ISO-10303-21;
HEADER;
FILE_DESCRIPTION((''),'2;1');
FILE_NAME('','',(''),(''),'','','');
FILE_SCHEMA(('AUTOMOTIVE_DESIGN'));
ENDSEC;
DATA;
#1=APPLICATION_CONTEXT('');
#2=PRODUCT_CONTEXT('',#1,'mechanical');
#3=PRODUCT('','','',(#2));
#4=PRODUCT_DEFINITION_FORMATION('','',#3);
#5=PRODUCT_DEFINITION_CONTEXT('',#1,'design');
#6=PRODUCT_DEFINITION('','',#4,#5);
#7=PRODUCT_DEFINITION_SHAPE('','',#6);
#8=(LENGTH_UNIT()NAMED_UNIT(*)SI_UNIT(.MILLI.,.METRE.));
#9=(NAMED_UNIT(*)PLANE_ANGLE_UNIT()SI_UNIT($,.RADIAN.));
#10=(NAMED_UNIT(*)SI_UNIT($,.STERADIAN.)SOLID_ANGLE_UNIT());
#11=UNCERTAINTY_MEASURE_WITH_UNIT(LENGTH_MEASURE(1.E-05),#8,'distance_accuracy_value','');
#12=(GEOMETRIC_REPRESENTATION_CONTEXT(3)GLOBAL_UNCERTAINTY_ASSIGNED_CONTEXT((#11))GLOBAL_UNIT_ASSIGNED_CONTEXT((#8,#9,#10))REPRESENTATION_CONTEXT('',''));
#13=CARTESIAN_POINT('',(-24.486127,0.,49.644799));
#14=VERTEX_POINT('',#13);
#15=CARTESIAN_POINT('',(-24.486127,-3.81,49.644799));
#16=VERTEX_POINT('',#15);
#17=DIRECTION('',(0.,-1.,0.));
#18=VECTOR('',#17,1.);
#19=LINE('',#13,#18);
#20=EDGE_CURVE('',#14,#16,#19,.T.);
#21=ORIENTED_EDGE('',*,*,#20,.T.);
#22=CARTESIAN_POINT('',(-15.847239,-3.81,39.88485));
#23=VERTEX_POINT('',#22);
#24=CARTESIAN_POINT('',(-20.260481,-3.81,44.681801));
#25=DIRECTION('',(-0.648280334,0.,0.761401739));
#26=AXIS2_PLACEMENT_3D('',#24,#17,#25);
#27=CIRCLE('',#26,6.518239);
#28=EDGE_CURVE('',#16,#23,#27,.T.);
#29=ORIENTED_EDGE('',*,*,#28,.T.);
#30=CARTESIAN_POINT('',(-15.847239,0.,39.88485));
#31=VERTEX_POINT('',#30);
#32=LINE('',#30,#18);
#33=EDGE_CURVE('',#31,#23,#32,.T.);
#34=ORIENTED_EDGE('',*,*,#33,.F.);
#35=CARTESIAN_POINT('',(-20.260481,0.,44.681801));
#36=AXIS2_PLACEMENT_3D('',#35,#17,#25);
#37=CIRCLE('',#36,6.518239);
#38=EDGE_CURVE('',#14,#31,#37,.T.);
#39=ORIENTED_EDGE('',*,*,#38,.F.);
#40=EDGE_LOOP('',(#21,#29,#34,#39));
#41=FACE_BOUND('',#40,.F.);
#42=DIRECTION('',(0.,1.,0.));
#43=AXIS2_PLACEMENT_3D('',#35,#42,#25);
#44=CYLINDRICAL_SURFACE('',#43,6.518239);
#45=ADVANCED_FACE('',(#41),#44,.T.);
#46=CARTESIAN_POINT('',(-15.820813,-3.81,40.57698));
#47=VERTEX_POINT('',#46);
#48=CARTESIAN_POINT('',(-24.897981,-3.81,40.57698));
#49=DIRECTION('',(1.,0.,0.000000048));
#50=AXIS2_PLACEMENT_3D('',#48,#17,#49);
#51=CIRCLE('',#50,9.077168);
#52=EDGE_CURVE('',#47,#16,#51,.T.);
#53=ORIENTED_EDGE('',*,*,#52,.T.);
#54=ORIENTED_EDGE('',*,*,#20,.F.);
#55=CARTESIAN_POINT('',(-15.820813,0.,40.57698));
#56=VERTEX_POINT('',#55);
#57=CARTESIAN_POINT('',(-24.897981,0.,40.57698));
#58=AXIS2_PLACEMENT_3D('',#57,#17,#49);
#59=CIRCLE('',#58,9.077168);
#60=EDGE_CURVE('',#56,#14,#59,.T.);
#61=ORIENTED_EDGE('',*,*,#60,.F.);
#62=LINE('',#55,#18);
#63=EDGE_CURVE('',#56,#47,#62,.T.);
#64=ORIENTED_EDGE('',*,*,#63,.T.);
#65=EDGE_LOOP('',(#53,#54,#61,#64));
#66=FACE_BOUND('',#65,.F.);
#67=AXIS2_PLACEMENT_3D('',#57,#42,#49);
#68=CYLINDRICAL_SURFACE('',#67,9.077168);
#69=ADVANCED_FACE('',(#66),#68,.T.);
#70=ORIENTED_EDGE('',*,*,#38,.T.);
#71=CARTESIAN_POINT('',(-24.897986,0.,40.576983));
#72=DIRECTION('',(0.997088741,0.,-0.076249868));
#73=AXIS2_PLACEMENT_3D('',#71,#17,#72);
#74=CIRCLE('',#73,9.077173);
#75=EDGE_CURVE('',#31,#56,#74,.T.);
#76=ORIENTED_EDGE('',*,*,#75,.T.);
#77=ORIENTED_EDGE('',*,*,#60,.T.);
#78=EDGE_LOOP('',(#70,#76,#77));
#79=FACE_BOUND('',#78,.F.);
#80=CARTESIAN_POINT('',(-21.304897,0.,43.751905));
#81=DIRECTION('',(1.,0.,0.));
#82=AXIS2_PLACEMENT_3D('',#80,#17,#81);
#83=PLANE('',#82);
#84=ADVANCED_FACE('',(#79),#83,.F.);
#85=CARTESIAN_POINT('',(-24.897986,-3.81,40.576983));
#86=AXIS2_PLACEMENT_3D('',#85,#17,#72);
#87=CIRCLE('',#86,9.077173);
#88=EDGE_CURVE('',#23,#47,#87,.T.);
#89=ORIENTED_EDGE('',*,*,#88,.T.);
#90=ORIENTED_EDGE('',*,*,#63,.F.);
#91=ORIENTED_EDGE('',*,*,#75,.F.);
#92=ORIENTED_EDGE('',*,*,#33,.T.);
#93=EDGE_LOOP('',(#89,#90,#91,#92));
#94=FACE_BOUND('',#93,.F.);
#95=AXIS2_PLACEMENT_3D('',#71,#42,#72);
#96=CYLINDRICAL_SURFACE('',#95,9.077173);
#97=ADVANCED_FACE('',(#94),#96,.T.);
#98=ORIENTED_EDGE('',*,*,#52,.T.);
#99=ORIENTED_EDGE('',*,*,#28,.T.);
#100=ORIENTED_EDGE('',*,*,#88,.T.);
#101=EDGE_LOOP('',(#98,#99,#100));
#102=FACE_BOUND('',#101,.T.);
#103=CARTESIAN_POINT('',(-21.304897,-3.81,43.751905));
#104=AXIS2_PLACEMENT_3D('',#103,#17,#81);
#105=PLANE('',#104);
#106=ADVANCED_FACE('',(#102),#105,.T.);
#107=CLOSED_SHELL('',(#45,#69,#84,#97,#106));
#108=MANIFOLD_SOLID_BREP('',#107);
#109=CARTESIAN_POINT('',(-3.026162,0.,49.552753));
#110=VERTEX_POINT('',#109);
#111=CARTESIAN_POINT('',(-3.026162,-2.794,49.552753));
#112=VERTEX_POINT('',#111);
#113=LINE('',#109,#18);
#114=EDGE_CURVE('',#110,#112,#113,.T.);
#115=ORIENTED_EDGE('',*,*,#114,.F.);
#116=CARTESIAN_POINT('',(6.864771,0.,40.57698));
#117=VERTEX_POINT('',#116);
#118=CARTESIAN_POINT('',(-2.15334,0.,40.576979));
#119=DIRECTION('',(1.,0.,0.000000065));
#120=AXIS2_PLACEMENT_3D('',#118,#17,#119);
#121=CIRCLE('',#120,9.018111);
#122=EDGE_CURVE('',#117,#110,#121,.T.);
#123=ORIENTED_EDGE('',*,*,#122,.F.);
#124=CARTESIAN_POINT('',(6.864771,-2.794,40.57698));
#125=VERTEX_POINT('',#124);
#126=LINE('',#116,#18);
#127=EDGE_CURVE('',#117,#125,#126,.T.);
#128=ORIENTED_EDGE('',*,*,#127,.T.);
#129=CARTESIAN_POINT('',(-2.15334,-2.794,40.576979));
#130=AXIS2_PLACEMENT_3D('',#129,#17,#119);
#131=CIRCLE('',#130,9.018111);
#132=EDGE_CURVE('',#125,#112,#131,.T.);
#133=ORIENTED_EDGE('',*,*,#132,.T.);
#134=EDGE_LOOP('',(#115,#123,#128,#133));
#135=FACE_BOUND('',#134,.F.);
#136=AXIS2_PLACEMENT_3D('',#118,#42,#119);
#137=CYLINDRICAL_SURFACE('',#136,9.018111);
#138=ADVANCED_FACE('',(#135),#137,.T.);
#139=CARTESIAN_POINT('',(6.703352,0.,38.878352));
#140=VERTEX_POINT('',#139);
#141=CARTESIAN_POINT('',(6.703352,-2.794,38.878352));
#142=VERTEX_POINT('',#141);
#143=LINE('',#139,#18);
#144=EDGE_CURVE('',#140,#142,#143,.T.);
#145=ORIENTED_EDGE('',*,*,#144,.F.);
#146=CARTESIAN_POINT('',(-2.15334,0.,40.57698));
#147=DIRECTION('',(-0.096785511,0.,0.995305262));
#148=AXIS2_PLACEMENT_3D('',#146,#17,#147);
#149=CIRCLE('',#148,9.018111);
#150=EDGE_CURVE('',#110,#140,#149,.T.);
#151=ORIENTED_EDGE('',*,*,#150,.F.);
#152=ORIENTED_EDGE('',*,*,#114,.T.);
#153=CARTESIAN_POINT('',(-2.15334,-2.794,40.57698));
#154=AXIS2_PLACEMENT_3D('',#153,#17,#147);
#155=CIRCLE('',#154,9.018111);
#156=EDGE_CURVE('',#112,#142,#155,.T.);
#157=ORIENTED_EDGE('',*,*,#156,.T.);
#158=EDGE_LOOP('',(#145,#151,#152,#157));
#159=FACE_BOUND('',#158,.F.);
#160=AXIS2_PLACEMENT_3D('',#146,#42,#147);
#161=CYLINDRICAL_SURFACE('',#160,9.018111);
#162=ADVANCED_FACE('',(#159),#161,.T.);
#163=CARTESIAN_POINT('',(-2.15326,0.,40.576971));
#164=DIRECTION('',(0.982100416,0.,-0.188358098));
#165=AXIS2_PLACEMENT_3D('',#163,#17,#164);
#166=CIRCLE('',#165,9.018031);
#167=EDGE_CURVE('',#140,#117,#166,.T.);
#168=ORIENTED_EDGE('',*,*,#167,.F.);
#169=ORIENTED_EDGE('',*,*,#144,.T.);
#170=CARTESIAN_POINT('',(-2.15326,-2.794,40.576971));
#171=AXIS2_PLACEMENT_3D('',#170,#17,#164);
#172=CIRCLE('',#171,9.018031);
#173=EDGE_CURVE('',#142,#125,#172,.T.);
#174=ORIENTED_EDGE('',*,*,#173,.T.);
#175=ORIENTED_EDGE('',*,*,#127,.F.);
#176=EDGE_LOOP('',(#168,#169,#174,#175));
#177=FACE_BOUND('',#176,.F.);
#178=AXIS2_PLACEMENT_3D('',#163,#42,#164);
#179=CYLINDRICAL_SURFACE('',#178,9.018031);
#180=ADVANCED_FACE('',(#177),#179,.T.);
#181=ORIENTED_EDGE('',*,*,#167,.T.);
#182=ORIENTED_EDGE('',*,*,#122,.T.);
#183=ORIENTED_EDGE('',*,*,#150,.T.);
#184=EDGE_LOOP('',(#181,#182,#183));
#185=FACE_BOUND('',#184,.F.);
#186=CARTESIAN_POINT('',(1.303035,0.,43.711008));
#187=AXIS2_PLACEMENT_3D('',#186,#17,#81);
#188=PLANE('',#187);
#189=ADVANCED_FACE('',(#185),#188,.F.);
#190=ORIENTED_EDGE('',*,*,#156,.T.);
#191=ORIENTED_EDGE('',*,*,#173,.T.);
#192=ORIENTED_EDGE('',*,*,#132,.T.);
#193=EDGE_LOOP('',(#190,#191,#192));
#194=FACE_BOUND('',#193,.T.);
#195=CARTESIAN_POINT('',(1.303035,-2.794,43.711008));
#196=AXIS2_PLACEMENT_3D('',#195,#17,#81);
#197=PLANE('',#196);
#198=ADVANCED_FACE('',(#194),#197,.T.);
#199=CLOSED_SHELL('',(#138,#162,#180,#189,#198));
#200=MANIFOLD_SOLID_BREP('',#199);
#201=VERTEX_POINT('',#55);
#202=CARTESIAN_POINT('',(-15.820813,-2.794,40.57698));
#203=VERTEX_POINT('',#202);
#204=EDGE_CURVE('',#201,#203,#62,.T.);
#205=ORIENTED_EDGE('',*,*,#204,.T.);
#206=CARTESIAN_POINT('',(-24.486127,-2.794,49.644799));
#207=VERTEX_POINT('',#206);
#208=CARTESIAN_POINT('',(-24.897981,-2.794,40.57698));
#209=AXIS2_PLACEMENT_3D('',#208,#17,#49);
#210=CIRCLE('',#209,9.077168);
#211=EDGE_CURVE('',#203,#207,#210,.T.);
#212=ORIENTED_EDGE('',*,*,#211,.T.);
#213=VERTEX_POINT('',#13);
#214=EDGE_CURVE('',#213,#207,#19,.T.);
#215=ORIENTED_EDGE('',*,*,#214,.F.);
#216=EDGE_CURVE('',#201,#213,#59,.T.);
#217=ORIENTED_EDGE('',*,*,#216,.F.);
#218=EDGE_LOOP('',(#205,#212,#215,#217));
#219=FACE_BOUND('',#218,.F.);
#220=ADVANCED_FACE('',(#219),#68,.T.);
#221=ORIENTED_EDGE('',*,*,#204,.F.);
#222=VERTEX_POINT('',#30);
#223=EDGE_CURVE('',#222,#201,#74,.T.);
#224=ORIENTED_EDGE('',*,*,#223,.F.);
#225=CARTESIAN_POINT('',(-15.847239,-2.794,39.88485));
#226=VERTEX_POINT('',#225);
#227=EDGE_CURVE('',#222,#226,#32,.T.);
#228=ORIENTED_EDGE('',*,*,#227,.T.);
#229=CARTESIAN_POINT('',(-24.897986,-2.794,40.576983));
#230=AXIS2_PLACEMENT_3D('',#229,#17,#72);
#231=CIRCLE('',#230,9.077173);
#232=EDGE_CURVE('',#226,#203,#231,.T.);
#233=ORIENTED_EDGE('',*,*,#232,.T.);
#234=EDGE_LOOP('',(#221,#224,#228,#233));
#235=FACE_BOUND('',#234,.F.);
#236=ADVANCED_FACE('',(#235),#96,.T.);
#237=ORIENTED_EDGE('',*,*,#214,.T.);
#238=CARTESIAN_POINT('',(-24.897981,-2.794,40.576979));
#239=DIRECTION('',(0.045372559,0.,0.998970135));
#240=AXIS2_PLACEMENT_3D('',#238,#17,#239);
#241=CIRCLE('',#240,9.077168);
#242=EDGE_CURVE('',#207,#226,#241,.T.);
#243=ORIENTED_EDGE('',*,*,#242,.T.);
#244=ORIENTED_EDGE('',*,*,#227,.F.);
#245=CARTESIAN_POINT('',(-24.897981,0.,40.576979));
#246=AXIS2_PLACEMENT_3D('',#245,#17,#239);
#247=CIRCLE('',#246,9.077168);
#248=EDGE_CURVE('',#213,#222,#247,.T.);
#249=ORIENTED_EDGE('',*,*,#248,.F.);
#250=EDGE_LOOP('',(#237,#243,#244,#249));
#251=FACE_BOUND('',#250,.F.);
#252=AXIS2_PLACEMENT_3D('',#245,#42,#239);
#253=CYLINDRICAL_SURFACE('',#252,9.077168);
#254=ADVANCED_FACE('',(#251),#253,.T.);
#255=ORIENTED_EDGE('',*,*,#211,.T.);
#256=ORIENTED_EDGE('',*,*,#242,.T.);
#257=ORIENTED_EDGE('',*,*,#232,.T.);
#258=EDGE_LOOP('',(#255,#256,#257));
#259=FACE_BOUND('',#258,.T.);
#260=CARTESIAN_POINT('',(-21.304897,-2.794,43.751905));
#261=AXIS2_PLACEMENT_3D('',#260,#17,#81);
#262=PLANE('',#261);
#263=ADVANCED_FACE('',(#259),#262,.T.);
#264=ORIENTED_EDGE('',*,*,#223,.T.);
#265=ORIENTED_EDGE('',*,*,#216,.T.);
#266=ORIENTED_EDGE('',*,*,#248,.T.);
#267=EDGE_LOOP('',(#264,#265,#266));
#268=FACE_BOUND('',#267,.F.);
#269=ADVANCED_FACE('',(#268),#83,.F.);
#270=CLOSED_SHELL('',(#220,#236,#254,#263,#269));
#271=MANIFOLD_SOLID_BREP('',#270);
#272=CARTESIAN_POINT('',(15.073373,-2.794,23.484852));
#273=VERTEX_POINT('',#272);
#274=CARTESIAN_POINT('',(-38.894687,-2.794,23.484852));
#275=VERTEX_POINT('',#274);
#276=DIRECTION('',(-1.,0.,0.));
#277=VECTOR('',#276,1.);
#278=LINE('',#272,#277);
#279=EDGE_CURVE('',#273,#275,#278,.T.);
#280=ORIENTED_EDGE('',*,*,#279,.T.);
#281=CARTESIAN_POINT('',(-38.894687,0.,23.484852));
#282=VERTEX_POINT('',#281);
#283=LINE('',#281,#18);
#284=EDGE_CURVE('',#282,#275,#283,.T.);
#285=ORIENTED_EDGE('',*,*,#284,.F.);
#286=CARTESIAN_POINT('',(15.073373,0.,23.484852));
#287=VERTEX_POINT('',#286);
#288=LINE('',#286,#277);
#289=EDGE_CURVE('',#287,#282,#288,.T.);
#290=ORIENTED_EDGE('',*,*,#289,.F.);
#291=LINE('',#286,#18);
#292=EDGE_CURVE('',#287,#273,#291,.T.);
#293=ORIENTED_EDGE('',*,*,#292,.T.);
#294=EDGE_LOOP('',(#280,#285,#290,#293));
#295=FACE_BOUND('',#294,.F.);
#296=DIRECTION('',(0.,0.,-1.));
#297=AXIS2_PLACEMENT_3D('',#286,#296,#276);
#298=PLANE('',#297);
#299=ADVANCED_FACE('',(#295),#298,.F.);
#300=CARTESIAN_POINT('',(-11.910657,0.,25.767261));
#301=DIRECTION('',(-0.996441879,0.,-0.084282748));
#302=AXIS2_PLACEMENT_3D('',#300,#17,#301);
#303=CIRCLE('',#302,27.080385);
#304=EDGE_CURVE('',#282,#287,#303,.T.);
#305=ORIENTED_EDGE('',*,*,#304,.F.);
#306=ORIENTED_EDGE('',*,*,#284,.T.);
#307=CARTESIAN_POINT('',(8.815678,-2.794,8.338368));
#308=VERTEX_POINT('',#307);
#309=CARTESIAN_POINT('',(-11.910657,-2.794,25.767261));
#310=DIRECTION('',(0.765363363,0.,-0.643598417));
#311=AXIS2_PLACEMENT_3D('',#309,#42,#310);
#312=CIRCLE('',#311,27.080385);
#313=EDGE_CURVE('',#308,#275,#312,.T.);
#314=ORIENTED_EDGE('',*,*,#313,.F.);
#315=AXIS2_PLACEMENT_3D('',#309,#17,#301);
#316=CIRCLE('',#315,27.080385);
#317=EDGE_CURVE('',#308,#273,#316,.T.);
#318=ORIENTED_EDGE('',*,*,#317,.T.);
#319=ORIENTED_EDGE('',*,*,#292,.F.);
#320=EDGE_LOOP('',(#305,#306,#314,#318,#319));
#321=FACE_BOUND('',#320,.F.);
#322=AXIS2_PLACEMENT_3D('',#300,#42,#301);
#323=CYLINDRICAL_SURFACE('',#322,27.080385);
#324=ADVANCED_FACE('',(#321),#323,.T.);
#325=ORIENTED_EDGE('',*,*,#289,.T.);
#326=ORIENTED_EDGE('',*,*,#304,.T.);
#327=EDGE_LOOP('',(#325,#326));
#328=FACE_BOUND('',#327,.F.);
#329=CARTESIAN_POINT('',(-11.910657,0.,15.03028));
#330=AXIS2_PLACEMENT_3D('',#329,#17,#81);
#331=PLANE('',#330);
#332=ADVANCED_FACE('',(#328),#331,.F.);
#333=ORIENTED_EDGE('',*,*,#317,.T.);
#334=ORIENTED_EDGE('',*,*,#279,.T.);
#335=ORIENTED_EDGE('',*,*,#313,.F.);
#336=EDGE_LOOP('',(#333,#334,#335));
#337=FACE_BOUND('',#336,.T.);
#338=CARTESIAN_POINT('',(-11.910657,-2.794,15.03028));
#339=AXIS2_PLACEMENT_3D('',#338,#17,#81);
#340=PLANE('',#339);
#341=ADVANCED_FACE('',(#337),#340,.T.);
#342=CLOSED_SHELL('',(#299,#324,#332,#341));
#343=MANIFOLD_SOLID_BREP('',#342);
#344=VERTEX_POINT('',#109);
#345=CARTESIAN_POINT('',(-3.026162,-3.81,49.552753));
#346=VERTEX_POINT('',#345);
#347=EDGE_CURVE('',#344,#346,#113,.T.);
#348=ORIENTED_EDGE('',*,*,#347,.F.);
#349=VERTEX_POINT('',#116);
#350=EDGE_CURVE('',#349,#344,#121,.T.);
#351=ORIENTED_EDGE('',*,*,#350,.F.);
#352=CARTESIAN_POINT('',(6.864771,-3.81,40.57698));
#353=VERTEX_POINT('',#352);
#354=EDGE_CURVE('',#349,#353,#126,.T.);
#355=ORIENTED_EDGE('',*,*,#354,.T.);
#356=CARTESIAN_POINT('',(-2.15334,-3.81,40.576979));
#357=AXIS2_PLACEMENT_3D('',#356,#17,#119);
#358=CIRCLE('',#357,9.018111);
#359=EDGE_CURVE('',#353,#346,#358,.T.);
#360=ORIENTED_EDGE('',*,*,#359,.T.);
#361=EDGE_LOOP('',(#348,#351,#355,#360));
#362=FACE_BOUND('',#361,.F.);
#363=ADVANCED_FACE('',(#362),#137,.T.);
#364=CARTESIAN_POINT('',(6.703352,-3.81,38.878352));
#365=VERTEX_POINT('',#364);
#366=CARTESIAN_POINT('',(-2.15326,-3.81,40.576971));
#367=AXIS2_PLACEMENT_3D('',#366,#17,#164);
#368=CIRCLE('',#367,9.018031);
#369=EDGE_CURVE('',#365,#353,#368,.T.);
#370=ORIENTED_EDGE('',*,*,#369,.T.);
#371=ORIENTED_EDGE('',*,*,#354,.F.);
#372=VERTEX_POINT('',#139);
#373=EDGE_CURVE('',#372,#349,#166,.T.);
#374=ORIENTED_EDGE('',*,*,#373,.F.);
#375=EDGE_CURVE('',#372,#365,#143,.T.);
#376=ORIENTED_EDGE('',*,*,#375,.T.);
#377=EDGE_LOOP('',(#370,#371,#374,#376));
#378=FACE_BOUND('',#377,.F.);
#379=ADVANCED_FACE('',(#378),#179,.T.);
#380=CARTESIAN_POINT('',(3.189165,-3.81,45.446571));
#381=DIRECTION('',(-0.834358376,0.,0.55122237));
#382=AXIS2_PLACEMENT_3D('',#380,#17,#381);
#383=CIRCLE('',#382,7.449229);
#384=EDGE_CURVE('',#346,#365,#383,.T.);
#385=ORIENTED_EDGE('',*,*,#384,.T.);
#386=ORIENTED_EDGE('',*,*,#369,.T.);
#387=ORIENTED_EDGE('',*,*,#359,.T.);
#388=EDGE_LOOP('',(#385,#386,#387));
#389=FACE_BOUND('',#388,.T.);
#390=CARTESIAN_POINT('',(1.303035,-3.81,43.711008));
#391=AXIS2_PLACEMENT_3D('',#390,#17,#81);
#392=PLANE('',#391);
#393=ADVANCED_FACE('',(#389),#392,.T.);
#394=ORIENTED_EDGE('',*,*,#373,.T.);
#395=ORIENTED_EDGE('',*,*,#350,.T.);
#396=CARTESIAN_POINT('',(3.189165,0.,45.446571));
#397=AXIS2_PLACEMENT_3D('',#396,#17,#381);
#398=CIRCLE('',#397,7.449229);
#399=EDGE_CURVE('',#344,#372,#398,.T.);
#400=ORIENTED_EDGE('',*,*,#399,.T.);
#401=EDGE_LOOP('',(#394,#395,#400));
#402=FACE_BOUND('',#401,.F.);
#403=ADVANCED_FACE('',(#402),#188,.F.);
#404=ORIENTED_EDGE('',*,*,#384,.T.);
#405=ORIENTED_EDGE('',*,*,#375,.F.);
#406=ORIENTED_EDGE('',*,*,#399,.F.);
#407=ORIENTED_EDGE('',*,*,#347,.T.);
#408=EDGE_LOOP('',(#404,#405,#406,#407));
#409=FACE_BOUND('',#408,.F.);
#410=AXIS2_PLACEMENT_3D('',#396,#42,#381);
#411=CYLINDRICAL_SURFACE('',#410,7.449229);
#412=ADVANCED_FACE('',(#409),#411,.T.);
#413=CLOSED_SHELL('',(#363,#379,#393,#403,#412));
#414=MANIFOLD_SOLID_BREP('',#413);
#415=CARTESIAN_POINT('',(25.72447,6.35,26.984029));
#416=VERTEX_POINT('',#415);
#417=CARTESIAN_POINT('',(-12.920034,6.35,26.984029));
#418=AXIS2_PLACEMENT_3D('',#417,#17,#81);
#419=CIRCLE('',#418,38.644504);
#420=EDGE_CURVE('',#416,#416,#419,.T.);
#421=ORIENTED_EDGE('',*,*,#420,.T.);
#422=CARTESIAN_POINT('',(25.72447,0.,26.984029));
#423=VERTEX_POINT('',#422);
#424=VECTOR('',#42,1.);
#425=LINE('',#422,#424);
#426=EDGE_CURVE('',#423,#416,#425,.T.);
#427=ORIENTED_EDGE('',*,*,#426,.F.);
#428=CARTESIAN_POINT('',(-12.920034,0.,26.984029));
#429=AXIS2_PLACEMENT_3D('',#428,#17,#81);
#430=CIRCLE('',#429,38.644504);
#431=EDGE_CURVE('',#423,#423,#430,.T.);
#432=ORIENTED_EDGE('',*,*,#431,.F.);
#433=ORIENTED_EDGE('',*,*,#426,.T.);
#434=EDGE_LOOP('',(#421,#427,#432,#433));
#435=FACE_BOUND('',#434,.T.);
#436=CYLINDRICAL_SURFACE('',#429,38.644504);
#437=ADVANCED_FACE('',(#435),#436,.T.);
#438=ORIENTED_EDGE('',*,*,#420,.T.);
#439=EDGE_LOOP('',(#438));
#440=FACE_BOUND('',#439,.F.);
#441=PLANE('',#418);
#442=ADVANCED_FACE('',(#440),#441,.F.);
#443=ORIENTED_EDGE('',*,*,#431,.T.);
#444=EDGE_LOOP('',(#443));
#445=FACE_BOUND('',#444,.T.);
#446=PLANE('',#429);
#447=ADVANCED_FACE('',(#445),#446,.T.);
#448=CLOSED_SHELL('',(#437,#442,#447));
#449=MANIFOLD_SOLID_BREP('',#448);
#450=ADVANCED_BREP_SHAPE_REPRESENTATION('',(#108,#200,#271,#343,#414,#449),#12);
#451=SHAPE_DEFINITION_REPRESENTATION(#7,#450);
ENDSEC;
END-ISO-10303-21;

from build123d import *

# Parameters (mm, degrees)
F1_DEPTH = 3.81
F2_DEPTH = 2.794
F3_R     = 38.644504
F4_DEPTH = 6.35
F6_DEPTH = 1.27


with BuildPart() as f1:
    # F0 (on Front) → F1 (new body)
    with BuildSketch(Plane.XZ):
        with BuildLine():
            ThreePointArc((-15.847239, 39.88485), (-15.827422, 40.230662), (-15.820813, 40.57698))
            ThreePointArc((-15.820813, 40.57698), (-18.335457, 46.848204), (-24.486127, 49.644799))
            ThreePointArc((-24.486127, 49.644799), (-25.141357, 40.361559), (-15.847239, 39.88485))
        make_face()
        with BuildLine():
            ThreePointArc((6.703352, 38.878352), (6.824326, 39.72384), (6.864771, 40.57698))
            ThreePointArc((6.864771, 40.57698), (3.906987, 47.25521), (-3.026162, 49.552753))
            ThreePointArc((-3.026162, 49.552753), (-2.316264, 40.428477), (6.703352, 38.878352))
        make_face()
    extrude(amount=F1_DEPTH)


with BuildPart() as f2:
    # F0 (on Front) → F2 (new body)
    with BuildSketch(Plane.XZ):
        with BuildLine():
            ThreePointArc((-15.847239, 39.88485), (-15.827422, 40.230662), (-15.820813, 40.57698))
            ThreePointArc((-15.820813, 40.57698), (-18.335457, 46.848204), (-24.486127, 49.644799))
            ThreePointArc((-24.486127, 49.644799), (-25.141357, 40.361559), (-15.847239, 39.88485))
        make_face()
        with BuildLine():
            ThreePointArc((-15.847239, 39.88485), (-25.141357, 40.361559), (-24.486127, 49.644799))
            ThreePointArc((-24.486127, 49.644799), (-31.694991, 34.560698), (-15.847239, 39.88485))
        make_face()
        with BuildLine():
            ThreePointArc((6.703352, 38.878352), (6.824326, 39.72384), (6.864771, 40.57698))
            ThreePointArc((6.864771, 40.57698), (3.906987, 47.25521), (-3.026162, 49.552753))
            ThreePointArc((-3.026162, 49.552753), (-2.316264, 40.428477), (6.703352, 38.878352))
        make_face()
        with BuildLine():
            ThreePointArc((6.703352, 38.878352), (-2.316264, 40.428477), (-3.026162, 49.552753))
            ThreePointArc((-3.026162, 49.552753), (-8.818266, 34.502025), (6.703352, 38.878352))
        make_face()
        with BuildLine():
            Line((15.073373, 23.484852), (-38.894687, 23.484852))
            ThreePointArc((-38.894687, 23.484852), (-11.910657, -1.313124), (15.073373, 23.484852))
        make_face()
    extrude(amount=F2_DEPTH)

    # F5 (on face) → F6 (join)
    with BuildSketch(Plane.XZ.offset(2.794)):
        with BuildLine():
            ThreePointArc((-8.998633, -1.1561), (0.826267, 1.869185), (8.815678, 8.338368))
            ThreePointArc((8.815678, 8.338368), (-2.299838, 7.734643), (-8.998633, -1.1561))
        make_face()
    extrude(amount=-F6_DEPTH)


with BuildPart() as f4:
    # F3 (on Front) → F4 (new body)
    with BuildSketch(Plane.XZ):
        with Locations((-12.920034, 26.984029)):
            Circle(F3_R)
    extrude(amount=-F4_DEPTH)


solid = Compound([f1.part, f2.part, f4.part])
